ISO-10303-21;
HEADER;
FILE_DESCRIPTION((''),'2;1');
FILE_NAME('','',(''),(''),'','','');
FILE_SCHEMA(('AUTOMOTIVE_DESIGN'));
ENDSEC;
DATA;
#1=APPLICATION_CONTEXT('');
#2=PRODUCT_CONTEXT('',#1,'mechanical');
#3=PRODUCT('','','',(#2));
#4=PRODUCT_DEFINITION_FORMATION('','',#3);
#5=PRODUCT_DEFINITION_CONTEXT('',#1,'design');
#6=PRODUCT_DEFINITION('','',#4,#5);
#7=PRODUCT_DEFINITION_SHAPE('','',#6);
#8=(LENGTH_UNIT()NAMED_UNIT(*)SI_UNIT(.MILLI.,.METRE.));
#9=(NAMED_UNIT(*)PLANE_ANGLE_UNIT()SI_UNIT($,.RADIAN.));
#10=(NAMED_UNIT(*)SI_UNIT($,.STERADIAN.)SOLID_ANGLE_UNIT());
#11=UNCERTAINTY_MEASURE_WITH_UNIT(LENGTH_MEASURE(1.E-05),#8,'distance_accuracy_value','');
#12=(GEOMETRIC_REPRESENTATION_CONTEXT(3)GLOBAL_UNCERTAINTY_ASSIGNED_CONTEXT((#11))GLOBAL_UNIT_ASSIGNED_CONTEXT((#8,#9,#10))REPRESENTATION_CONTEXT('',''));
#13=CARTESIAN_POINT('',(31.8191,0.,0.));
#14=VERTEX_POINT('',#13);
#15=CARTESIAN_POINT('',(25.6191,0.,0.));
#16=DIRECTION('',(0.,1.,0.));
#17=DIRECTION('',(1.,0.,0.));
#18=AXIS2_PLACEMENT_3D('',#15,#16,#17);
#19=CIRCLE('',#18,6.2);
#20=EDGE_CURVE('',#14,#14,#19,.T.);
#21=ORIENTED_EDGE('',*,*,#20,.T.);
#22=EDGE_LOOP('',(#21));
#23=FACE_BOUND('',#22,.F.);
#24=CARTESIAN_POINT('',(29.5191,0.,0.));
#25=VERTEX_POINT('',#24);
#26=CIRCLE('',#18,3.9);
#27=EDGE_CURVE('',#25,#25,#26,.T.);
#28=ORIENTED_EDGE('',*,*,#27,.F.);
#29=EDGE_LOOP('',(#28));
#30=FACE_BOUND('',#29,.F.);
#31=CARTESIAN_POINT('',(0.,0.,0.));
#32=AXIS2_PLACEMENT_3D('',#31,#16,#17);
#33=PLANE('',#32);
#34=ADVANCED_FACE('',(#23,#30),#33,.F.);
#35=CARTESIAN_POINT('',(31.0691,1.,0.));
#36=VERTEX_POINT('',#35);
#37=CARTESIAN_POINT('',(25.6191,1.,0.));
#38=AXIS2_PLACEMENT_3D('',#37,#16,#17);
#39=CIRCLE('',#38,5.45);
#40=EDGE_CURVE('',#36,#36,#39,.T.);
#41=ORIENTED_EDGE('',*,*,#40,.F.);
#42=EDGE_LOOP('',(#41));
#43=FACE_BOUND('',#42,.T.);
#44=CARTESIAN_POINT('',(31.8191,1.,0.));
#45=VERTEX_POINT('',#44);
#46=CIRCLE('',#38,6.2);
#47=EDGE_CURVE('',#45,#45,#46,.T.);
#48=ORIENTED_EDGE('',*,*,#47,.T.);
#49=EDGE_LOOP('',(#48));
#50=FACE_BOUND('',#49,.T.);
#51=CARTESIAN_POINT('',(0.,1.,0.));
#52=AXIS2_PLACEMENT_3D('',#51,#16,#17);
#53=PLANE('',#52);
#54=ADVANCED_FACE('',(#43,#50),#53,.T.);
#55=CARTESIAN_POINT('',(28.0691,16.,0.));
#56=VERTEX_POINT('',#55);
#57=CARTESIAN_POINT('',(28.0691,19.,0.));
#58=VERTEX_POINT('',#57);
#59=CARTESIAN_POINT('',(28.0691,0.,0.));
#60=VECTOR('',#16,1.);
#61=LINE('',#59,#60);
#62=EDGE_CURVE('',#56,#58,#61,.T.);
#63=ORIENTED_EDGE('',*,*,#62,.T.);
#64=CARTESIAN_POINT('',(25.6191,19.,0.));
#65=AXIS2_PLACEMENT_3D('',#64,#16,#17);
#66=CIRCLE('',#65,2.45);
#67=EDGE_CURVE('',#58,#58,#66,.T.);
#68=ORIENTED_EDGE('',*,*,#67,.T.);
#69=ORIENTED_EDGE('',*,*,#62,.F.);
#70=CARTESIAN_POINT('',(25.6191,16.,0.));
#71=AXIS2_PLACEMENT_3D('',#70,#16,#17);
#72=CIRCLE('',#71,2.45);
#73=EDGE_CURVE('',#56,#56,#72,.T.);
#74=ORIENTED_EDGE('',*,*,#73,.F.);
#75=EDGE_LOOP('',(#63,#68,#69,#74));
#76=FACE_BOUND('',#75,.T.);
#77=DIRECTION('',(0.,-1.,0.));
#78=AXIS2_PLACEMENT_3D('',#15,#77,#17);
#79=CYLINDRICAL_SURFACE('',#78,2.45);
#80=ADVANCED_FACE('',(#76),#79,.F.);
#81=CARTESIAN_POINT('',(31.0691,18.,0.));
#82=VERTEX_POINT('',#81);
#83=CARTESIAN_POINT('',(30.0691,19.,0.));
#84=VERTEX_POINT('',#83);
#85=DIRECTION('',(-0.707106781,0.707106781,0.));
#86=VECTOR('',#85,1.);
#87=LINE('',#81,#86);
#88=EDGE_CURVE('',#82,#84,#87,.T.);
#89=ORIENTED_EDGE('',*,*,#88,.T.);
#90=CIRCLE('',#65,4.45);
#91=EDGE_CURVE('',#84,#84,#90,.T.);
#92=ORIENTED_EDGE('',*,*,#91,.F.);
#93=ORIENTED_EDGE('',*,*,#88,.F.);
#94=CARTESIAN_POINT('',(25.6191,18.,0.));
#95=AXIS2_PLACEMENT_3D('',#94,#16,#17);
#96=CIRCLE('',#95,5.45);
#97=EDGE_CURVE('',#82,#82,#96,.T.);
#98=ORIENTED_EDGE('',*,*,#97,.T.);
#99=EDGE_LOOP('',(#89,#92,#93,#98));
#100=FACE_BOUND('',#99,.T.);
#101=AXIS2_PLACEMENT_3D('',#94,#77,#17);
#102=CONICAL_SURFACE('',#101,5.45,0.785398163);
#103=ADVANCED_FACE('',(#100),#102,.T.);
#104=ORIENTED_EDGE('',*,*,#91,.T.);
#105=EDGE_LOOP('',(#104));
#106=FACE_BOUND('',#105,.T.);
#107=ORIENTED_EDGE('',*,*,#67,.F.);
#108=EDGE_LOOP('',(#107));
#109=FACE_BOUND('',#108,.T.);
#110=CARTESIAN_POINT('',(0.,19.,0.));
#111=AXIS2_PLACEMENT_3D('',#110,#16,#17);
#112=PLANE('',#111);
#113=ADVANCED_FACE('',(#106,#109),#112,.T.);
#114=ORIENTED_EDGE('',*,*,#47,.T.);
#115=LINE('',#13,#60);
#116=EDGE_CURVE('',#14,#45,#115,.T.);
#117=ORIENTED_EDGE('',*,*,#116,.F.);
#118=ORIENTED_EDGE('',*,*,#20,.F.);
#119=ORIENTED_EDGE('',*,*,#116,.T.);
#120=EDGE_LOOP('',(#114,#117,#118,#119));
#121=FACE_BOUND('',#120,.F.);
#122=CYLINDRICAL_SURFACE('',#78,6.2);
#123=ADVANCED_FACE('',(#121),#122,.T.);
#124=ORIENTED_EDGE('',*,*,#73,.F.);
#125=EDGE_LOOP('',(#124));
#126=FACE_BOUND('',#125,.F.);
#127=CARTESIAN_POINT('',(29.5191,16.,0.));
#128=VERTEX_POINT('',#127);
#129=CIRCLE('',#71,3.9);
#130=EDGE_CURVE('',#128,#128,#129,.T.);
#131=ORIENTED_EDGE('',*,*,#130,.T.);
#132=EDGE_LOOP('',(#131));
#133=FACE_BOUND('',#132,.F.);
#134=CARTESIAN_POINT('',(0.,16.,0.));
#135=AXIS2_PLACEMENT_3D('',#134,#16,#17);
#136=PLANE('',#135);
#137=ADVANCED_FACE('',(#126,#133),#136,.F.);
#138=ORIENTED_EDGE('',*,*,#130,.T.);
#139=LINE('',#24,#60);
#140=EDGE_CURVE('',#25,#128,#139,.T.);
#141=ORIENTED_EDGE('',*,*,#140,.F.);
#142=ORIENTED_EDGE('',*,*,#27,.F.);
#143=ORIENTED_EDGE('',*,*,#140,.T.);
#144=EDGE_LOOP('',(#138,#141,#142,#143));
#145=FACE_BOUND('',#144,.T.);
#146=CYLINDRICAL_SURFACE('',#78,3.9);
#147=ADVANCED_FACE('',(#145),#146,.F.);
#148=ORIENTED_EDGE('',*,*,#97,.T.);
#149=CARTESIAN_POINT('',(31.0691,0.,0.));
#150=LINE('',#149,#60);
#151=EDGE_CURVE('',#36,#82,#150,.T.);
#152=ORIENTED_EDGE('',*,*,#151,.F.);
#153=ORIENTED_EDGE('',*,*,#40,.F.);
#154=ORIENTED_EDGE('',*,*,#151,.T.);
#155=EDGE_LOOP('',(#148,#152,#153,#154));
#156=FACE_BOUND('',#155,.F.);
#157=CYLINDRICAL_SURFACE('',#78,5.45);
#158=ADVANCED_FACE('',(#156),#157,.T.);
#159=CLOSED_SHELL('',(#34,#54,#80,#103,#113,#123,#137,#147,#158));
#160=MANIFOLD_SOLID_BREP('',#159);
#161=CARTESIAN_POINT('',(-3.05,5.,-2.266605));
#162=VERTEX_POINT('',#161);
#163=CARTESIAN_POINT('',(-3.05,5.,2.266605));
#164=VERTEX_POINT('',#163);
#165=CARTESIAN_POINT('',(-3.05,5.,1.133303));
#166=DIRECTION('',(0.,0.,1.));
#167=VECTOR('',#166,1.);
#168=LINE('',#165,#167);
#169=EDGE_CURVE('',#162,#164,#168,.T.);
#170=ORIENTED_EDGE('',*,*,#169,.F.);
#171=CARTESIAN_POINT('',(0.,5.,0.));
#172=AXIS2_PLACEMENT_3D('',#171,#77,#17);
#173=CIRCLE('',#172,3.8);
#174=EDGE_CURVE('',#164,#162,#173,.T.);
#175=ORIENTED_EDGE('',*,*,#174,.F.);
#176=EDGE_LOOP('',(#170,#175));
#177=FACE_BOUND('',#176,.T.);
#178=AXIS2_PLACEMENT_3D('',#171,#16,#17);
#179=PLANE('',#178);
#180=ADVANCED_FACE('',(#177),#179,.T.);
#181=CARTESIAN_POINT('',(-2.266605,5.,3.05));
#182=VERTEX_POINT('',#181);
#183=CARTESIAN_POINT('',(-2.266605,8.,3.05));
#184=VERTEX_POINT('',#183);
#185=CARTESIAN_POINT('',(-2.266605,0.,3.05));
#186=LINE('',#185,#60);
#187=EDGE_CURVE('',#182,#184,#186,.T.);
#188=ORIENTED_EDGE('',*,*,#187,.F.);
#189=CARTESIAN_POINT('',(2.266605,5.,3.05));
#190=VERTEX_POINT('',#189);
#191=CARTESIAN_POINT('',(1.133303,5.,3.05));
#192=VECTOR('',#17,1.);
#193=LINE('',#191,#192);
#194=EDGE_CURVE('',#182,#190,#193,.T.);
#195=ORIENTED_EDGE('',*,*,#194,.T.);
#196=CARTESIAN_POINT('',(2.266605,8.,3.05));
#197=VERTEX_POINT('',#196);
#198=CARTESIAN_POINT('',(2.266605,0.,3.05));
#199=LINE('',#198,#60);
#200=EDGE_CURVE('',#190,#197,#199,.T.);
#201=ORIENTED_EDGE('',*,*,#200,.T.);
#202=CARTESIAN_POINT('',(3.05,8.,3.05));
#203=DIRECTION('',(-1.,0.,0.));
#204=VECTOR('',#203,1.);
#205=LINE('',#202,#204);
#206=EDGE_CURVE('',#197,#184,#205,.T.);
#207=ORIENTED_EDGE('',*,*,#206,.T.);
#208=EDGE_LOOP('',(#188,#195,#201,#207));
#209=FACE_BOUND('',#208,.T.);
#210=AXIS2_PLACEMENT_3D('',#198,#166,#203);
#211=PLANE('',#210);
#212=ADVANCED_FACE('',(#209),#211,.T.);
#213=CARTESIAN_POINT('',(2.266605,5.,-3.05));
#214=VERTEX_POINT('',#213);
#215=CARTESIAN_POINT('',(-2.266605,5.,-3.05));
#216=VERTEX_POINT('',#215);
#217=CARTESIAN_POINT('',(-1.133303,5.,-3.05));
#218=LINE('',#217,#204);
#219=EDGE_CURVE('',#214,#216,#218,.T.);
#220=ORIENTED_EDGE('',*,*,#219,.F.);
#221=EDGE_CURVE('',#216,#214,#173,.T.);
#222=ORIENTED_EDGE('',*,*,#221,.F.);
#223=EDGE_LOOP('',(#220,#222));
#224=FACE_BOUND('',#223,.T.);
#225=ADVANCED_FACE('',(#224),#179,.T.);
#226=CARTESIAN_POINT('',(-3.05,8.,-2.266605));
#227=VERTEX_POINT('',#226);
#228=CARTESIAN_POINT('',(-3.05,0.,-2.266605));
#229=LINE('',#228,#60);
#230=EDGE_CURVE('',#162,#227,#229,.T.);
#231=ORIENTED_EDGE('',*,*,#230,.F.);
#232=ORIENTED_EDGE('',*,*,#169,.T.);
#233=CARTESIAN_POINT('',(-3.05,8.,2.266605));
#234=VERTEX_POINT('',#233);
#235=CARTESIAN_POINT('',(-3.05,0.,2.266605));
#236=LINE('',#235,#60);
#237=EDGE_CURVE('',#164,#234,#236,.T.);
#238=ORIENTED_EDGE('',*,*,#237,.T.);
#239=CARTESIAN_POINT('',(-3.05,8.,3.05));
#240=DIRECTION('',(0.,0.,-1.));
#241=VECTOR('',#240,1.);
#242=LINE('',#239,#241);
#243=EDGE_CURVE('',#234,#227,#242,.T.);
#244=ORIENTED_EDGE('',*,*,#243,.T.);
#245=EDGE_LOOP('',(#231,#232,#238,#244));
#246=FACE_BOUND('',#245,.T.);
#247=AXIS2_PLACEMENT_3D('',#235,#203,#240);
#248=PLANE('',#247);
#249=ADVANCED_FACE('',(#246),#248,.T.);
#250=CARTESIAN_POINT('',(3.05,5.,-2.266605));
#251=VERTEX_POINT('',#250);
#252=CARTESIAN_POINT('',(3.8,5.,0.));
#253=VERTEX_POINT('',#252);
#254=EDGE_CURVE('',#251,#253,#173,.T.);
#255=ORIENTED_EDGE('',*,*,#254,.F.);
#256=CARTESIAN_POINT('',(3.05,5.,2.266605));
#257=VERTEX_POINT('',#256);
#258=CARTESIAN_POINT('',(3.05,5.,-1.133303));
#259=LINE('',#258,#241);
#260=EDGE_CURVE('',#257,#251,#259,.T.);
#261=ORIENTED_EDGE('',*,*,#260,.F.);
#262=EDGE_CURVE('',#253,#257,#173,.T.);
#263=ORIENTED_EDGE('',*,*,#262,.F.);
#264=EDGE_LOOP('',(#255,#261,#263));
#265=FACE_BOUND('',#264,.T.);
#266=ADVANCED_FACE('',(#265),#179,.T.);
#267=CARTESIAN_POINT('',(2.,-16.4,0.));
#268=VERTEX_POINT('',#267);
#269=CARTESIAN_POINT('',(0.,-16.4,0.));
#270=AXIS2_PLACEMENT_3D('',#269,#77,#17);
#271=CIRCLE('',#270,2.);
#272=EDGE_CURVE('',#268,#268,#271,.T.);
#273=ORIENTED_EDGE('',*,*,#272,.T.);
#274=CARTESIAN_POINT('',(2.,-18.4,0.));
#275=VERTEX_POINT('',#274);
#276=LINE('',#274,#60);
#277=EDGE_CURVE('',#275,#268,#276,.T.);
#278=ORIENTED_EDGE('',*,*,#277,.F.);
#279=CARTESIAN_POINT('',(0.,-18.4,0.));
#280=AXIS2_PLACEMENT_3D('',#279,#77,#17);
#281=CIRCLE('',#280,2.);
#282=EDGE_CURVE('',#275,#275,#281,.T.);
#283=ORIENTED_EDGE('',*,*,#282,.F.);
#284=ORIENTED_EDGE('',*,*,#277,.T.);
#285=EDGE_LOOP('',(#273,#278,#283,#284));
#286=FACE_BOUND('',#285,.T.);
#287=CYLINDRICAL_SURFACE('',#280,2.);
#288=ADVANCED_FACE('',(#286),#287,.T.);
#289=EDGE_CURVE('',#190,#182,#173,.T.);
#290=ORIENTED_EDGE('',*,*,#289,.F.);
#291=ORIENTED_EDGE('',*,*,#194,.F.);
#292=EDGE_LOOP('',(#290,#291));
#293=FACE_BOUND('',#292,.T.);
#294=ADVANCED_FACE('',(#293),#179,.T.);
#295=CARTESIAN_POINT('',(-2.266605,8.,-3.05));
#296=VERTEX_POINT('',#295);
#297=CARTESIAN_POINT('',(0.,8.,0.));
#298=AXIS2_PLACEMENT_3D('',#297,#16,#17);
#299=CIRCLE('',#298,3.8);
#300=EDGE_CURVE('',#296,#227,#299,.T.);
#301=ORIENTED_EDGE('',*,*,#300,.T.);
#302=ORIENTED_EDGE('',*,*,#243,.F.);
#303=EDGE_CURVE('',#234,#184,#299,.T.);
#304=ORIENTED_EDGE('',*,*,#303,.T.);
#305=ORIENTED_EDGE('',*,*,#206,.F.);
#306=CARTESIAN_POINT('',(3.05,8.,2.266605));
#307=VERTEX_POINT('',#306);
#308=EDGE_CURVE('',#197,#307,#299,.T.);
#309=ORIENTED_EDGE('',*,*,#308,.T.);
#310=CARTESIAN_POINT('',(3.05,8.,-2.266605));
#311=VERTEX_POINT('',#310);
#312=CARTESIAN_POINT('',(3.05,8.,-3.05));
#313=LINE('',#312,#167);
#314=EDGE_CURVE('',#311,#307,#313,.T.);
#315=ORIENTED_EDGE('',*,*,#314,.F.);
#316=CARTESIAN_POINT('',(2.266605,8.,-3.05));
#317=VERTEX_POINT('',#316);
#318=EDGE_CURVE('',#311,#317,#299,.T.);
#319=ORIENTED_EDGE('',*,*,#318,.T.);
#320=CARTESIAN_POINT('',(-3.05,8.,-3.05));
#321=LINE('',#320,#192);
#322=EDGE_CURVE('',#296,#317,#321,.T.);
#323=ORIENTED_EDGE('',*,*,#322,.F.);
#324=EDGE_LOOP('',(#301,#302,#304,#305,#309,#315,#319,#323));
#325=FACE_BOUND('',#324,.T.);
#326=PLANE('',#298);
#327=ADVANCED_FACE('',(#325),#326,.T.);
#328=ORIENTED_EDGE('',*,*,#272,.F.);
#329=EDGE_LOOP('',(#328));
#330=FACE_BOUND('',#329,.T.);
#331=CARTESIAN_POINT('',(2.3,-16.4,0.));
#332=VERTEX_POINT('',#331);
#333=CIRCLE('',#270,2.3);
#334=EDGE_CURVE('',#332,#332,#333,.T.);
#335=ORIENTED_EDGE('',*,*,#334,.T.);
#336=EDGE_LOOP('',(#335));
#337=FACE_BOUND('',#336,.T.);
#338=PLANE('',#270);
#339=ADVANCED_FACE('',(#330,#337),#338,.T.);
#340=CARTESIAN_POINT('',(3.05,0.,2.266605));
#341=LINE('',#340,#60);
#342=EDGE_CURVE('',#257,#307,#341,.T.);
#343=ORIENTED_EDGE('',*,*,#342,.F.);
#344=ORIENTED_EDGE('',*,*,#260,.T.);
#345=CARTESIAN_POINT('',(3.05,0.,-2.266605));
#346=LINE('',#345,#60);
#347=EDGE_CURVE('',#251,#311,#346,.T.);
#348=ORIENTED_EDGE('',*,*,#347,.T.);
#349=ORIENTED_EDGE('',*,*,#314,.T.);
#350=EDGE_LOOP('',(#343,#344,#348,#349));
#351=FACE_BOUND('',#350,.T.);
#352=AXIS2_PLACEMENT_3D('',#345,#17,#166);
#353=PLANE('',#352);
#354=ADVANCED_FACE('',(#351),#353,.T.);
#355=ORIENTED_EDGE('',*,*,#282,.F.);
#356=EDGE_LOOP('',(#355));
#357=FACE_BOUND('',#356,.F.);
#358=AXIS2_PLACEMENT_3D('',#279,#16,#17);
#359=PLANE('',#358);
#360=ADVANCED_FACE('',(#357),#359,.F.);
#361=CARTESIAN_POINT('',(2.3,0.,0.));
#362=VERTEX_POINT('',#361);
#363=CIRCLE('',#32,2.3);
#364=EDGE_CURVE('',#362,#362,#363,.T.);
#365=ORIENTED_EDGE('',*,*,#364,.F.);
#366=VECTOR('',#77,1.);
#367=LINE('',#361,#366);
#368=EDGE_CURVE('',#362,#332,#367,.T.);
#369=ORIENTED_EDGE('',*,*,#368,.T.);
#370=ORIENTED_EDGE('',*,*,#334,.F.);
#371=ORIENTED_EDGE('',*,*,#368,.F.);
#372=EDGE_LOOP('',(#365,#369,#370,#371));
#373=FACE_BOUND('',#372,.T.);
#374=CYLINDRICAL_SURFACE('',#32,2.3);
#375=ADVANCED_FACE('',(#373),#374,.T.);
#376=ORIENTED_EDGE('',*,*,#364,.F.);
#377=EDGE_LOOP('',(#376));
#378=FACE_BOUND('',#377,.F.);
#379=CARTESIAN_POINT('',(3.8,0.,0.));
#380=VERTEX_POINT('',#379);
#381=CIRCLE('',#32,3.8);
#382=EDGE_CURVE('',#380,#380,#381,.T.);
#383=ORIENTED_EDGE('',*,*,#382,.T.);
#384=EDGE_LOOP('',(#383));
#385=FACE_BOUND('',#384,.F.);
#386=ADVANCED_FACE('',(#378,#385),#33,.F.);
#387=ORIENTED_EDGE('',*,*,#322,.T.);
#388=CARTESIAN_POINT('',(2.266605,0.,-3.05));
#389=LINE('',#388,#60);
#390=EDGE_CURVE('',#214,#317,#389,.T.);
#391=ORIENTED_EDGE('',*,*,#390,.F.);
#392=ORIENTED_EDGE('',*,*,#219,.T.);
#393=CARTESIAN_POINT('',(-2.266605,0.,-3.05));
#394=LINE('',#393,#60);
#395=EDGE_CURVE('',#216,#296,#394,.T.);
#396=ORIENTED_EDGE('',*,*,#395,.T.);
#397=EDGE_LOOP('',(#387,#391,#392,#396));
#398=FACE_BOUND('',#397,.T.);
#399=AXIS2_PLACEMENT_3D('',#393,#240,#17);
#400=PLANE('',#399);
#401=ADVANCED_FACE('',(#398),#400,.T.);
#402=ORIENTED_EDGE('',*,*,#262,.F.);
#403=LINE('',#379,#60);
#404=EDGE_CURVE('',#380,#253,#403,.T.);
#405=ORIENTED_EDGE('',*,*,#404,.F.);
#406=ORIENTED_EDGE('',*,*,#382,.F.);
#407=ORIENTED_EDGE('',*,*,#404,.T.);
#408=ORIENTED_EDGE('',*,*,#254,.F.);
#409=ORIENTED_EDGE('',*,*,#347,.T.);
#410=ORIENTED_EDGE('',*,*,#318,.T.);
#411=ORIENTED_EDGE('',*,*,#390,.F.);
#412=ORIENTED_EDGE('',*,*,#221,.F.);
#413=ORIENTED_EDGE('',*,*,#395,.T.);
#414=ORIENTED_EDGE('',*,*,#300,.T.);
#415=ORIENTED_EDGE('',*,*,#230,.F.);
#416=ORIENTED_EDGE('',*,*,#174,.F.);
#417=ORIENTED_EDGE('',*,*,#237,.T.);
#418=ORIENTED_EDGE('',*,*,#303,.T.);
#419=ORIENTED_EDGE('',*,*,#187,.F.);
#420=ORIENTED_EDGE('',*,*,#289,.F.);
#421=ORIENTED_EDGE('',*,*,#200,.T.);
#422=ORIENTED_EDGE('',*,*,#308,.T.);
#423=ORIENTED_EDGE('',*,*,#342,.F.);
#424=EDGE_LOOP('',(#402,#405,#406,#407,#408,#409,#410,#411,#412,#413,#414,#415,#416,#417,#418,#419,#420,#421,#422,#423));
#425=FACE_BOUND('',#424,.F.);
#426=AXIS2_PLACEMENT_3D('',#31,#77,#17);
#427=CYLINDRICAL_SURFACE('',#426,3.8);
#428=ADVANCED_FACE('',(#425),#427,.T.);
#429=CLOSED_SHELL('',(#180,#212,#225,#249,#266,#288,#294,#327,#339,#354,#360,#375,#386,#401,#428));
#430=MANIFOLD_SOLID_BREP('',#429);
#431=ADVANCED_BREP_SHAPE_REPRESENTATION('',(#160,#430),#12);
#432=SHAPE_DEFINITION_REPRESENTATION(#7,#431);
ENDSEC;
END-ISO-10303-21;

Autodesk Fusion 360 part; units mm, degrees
sketch "Sketch1" plane through (0, 0, 0) normal (0, 1, 0) x (1, 0, 0) in component "SPINDLE"
  circle A0 centre (0, 0) radius 3.8
  line L0 (-3.05, 3.05) -> (3.05, 3.05)
  line L1 (3.05, 3.05) -> (3.05, -3.05)
  line L2 (3.05, -3.05) -> (-3.05, -3.05)
  line L3 (-3.05, -3.05) -> (-3.05, 3.05)
  line L4 (-3.05, 3.05) -> (3.05, -3.05) construction
  line L5 (3.05, 3.05) -> (-3.05, -3.05) construction
  circle A1 centre (0, 0) radius 2.3
  dimension "d3" = 7.6
  dimension "d4" = 6.1
  dimension "d5" = 6.1
  dimension "d6" = 4.6
sketch "Sketch2" plane through (0, 0, 0) normal (0, 1, 0) x (1, 0, 0) in component "DRUM"
  line L0 (25.6191, 10.852) -> (25.6191, -10.852) construction
  line L1 (12.1191, 0) -> (39.1191, 0) construction
  circle A0 centre (25.6191, 0) radius 6.2
  circle A1 centre (25.6191, 0) radius 5.45
  circle A2 centre (25.6191, 0) radius 2.45
  circle A3 centre (25.6191, 0) radius 3.9
  dimension "d7" = 12.4
  dimension "d8" = 10.9
  dimension "d9" = 4.9
  dimension "d10" = 7.8
extrude "Extrude1" add sketch "Sketch1" against normal blind 18.4 contours A1 makes body 1 in component "SPINDLE"
extrude "Extrude2" add sketch "Sketch1" along normal blind 5 contours A0 L1 | A0 L0 L1 L2 L3 | A0 L0 | A0 L2 | A0 L3 | A1 bodies 1 in component "SPINDLE"
extrude "Extrude3" add sketch "Sketch1" along normal blind 8 contours A0 L0 L1 L2 L3 | A1 bodies 1 in component "SPINDLE"
extrude "Extrude1'" add sketch "Sketch2" along normal blind 19 separate body contours A1 | A3 makes body 2 in component "DRUM"
extrude "Extrude2'" add sketch "Sketch2" along normal blind 1 contours A0 bodies 2 in component "DRUM"
extrude "Extrude3'" cut sketch "Sketch2" along normal blind 16 contours A3 bodies 2 in component "DRUM"
chamfer "Chamfer1" distance 1 angle 45 1 edges at (20.538, 19, 1.9708) on bodies 2 in component "DRUM"
sketch "Sketch3" plane through (0, -18.4, 0) normal (0, -1, 0) x (1, 0, 0)
  circle A0 centre (0, 0) radius 2.3
  circle A1 centre (0, 0) radius 2
  dimension "d24" = 4
extrude "Extrude4" cut sketch "Sketch3" against normal blind 2 bodies 1 in component "SPINDLE"
component "SPINDLE" placed x (1, 0, 0) y (0, 1, 0) z (0, 0, 1) at (0, 0, 0)
component "DRUM" placed x (1, 0, 0) y (0, 1, 0) z (0, 0, 1) at (0, 0, 0)
equation "d5 = d4"
